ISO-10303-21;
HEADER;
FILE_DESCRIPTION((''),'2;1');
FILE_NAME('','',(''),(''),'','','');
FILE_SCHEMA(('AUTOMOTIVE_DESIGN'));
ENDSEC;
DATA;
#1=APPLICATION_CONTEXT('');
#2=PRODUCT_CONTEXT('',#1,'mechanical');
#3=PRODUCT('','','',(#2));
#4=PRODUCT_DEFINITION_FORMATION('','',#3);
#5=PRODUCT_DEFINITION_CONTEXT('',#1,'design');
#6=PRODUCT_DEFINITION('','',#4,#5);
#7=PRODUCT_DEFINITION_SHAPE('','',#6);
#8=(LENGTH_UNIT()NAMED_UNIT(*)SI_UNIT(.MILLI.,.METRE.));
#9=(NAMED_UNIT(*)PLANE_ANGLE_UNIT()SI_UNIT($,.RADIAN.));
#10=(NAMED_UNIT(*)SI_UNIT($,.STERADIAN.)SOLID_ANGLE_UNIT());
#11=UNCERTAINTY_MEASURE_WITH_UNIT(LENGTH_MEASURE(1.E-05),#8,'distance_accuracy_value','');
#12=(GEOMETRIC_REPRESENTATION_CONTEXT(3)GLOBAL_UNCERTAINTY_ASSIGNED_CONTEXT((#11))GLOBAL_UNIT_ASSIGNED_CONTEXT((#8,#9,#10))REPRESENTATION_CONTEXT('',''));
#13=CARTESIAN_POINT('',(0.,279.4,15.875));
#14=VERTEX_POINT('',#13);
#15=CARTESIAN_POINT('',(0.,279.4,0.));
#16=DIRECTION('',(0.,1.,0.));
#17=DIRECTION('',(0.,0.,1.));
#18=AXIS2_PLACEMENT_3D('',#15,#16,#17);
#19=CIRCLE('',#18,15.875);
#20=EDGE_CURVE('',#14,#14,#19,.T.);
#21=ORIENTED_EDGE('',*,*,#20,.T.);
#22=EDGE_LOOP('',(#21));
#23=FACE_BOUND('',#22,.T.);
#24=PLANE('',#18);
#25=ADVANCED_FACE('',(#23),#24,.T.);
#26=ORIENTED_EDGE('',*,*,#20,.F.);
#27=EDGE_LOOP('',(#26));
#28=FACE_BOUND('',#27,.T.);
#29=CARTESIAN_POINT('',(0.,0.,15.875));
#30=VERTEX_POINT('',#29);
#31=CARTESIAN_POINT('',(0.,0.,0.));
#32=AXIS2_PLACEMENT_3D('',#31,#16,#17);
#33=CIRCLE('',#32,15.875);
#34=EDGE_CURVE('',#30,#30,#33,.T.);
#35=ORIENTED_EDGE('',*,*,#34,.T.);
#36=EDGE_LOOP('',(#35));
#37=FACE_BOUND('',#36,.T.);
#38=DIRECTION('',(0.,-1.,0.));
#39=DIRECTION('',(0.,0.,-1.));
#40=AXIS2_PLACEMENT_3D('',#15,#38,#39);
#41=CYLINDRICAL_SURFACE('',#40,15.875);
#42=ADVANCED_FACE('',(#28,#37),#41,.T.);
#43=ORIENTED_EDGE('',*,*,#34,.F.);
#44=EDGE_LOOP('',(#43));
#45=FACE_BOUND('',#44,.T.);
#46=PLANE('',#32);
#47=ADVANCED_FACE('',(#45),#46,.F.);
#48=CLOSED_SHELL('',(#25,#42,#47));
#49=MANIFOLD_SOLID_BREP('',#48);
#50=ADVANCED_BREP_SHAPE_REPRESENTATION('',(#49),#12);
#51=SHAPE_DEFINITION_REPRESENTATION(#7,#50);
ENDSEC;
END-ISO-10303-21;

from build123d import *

# Parameters (mm, degrees)
SKETCH1_R           = 15.875
BOSS_EXTRUDE1_DEPTH = 279.4


with BuildPart() as part:
    # Sketch1 → Boss-Extrude1 (new body)
    with BuildSketch(Plane(origin=(0, 0, 0), x_dir=(1, 0, 0), z_dir=(0, 1, 0))):
        Circle(SKETCH1_R)
    extrude(amount=BOSS_EXTRUDE1_DEPTH)


solid = part.part
